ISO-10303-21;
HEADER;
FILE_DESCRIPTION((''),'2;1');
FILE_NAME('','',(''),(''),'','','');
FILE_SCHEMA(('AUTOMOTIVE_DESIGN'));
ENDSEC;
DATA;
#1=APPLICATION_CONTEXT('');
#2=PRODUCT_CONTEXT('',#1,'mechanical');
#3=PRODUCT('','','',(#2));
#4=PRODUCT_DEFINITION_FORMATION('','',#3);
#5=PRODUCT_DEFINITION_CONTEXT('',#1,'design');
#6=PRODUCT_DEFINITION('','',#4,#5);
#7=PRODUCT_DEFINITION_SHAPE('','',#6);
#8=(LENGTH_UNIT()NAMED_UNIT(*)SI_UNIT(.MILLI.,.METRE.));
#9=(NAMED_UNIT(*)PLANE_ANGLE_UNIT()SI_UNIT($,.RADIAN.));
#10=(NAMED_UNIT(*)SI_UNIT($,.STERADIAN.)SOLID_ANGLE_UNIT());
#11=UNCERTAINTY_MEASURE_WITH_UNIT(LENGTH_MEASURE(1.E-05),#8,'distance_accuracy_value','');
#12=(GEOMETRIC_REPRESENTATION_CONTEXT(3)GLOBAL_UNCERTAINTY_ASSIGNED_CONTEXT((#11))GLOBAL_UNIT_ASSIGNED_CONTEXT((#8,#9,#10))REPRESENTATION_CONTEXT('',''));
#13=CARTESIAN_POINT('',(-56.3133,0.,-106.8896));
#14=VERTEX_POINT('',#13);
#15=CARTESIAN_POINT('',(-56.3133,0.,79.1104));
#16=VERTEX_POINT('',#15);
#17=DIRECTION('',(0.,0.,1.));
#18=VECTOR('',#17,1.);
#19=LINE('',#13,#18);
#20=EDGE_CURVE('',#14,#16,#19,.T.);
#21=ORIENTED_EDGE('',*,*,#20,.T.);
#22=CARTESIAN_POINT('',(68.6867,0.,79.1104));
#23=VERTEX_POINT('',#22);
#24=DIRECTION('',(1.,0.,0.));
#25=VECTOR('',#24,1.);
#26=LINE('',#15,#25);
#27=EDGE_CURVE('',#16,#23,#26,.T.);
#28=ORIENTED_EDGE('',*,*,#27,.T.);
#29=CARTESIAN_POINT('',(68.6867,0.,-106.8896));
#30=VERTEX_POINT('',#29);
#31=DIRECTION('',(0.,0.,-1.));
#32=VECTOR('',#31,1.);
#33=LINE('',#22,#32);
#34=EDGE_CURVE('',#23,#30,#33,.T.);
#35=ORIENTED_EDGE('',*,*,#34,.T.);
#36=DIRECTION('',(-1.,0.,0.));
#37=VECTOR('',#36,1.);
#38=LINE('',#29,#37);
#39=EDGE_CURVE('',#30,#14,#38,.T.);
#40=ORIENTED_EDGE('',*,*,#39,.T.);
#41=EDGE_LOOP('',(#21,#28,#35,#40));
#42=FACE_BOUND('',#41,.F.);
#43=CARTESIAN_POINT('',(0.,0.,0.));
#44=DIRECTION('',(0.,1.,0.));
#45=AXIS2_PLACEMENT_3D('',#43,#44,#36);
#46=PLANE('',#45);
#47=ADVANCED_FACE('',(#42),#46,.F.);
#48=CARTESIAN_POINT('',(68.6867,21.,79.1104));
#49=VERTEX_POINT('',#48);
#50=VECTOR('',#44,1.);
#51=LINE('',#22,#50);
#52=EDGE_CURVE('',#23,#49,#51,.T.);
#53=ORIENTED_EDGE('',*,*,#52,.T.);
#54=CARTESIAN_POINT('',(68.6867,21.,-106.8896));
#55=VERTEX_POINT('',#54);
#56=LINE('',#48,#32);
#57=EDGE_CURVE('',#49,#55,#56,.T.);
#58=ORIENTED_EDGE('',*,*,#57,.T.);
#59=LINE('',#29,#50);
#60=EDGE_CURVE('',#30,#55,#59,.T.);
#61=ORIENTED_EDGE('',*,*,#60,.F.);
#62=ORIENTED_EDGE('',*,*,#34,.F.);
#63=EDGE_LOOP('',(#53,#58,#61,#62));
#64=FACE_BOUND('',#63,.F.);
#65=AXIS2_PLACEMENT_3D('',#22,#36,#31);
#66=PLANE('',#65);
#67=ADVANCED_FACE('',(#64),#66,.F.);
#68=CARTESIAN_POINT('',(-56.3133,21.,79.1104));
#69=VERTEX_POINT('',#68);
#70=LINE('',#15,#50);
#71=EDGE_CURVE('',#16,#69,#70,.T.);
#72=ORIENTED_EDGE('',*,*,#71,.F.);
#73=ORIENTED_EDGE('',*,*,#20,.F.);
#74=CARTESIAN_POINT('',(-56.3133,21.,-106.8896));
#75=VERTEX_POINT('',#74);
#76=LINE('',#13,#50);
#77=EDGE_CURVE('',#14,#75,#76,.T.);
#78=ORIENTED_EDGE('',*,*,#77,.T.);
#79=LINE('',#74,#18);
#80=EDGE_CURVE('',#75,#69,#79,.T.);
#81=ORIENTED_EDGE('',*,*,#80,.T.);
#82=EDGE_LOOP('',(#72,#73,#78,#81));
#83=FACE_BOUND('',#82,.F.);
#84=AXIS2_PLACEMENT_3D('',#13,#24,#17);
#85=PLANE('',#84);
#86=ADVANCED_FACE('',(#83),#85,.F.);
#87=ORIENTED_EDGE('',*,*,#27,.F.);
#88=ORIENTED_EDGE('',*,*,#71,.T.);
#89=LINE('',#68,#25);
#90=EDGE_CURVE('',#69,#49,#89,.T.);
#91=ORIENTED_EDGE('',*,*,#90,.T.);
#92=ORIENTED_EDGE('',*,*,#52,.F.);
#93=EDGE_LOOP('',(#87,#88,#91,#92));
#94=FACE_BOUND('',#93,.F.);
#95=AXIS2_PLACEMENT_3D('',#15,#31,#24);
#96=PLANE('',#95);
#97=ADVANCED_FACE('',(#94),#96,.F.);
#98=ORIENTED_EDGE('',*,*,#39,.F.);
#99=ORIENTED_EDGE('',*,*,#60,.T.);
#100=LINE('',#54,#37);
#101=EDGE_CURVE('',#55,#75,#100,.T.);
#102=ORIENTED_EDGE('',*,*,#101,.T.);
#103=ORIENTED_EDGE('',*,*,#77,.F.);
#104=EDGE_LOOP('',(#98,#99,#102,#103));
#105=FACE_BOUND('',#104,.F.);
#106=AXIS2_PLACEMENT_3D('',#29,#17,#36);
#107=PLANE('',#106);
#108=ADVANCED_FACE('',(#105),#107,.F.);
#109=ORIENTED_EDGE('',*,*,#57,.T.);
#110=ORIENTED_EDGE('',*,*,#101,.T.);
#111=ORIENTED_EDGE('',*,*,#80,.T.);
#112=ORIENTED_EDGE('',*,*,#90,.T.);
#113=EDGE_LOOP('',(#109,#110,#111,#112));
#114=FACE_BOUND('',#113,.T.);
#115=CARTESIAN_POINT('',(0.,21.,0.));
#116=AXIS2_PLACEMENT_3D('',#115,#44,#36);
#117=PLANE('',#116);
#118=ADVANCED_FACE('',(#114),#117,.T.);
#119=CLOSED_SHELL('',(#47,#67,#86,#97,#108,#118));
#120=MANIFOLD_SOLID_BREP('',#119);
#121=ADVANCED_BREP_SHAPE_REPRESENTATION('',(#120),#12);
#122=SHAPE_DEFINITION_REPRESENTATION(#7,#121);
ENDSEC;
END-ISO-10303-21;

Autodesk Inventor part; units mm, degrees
ref_plane "YZ Plane" through (0, 0, 0) normal (1, 0, 0) x (0, 1, 0)
ref_plane "XZ Plane" through (0, 0, 0) normal (0, 1, 0) x (-1, 0, 0)
ref_plane "XY Plane" through (0, 0, 0) normal (0, 0, 1) x (1, 0, 0)
sketch "Sketch1" plane through (0, 0, 0) normal (0, 1, 0) x (-1, 0, 0)
  line L0 (56.3133, 79.1104) -> (-68.6867, 79.1104)
  line L1 (-68.6867, 79.1104) -> (-68.6867, -106.8896)
  line L2 (-68.6867, -106.8896) -> (56.3133, -106.8896)
  line L3 (56.3133, -106.8896) -> (56.3133, 79.1104)
  point P0 (0, 0)
  dimension "d0" = 186
  dimension "d1" = 125
extrude "Extrusion1" add sketch "Sketch1" along normal blind 21
properties part number "intocircuit 26Ah"
